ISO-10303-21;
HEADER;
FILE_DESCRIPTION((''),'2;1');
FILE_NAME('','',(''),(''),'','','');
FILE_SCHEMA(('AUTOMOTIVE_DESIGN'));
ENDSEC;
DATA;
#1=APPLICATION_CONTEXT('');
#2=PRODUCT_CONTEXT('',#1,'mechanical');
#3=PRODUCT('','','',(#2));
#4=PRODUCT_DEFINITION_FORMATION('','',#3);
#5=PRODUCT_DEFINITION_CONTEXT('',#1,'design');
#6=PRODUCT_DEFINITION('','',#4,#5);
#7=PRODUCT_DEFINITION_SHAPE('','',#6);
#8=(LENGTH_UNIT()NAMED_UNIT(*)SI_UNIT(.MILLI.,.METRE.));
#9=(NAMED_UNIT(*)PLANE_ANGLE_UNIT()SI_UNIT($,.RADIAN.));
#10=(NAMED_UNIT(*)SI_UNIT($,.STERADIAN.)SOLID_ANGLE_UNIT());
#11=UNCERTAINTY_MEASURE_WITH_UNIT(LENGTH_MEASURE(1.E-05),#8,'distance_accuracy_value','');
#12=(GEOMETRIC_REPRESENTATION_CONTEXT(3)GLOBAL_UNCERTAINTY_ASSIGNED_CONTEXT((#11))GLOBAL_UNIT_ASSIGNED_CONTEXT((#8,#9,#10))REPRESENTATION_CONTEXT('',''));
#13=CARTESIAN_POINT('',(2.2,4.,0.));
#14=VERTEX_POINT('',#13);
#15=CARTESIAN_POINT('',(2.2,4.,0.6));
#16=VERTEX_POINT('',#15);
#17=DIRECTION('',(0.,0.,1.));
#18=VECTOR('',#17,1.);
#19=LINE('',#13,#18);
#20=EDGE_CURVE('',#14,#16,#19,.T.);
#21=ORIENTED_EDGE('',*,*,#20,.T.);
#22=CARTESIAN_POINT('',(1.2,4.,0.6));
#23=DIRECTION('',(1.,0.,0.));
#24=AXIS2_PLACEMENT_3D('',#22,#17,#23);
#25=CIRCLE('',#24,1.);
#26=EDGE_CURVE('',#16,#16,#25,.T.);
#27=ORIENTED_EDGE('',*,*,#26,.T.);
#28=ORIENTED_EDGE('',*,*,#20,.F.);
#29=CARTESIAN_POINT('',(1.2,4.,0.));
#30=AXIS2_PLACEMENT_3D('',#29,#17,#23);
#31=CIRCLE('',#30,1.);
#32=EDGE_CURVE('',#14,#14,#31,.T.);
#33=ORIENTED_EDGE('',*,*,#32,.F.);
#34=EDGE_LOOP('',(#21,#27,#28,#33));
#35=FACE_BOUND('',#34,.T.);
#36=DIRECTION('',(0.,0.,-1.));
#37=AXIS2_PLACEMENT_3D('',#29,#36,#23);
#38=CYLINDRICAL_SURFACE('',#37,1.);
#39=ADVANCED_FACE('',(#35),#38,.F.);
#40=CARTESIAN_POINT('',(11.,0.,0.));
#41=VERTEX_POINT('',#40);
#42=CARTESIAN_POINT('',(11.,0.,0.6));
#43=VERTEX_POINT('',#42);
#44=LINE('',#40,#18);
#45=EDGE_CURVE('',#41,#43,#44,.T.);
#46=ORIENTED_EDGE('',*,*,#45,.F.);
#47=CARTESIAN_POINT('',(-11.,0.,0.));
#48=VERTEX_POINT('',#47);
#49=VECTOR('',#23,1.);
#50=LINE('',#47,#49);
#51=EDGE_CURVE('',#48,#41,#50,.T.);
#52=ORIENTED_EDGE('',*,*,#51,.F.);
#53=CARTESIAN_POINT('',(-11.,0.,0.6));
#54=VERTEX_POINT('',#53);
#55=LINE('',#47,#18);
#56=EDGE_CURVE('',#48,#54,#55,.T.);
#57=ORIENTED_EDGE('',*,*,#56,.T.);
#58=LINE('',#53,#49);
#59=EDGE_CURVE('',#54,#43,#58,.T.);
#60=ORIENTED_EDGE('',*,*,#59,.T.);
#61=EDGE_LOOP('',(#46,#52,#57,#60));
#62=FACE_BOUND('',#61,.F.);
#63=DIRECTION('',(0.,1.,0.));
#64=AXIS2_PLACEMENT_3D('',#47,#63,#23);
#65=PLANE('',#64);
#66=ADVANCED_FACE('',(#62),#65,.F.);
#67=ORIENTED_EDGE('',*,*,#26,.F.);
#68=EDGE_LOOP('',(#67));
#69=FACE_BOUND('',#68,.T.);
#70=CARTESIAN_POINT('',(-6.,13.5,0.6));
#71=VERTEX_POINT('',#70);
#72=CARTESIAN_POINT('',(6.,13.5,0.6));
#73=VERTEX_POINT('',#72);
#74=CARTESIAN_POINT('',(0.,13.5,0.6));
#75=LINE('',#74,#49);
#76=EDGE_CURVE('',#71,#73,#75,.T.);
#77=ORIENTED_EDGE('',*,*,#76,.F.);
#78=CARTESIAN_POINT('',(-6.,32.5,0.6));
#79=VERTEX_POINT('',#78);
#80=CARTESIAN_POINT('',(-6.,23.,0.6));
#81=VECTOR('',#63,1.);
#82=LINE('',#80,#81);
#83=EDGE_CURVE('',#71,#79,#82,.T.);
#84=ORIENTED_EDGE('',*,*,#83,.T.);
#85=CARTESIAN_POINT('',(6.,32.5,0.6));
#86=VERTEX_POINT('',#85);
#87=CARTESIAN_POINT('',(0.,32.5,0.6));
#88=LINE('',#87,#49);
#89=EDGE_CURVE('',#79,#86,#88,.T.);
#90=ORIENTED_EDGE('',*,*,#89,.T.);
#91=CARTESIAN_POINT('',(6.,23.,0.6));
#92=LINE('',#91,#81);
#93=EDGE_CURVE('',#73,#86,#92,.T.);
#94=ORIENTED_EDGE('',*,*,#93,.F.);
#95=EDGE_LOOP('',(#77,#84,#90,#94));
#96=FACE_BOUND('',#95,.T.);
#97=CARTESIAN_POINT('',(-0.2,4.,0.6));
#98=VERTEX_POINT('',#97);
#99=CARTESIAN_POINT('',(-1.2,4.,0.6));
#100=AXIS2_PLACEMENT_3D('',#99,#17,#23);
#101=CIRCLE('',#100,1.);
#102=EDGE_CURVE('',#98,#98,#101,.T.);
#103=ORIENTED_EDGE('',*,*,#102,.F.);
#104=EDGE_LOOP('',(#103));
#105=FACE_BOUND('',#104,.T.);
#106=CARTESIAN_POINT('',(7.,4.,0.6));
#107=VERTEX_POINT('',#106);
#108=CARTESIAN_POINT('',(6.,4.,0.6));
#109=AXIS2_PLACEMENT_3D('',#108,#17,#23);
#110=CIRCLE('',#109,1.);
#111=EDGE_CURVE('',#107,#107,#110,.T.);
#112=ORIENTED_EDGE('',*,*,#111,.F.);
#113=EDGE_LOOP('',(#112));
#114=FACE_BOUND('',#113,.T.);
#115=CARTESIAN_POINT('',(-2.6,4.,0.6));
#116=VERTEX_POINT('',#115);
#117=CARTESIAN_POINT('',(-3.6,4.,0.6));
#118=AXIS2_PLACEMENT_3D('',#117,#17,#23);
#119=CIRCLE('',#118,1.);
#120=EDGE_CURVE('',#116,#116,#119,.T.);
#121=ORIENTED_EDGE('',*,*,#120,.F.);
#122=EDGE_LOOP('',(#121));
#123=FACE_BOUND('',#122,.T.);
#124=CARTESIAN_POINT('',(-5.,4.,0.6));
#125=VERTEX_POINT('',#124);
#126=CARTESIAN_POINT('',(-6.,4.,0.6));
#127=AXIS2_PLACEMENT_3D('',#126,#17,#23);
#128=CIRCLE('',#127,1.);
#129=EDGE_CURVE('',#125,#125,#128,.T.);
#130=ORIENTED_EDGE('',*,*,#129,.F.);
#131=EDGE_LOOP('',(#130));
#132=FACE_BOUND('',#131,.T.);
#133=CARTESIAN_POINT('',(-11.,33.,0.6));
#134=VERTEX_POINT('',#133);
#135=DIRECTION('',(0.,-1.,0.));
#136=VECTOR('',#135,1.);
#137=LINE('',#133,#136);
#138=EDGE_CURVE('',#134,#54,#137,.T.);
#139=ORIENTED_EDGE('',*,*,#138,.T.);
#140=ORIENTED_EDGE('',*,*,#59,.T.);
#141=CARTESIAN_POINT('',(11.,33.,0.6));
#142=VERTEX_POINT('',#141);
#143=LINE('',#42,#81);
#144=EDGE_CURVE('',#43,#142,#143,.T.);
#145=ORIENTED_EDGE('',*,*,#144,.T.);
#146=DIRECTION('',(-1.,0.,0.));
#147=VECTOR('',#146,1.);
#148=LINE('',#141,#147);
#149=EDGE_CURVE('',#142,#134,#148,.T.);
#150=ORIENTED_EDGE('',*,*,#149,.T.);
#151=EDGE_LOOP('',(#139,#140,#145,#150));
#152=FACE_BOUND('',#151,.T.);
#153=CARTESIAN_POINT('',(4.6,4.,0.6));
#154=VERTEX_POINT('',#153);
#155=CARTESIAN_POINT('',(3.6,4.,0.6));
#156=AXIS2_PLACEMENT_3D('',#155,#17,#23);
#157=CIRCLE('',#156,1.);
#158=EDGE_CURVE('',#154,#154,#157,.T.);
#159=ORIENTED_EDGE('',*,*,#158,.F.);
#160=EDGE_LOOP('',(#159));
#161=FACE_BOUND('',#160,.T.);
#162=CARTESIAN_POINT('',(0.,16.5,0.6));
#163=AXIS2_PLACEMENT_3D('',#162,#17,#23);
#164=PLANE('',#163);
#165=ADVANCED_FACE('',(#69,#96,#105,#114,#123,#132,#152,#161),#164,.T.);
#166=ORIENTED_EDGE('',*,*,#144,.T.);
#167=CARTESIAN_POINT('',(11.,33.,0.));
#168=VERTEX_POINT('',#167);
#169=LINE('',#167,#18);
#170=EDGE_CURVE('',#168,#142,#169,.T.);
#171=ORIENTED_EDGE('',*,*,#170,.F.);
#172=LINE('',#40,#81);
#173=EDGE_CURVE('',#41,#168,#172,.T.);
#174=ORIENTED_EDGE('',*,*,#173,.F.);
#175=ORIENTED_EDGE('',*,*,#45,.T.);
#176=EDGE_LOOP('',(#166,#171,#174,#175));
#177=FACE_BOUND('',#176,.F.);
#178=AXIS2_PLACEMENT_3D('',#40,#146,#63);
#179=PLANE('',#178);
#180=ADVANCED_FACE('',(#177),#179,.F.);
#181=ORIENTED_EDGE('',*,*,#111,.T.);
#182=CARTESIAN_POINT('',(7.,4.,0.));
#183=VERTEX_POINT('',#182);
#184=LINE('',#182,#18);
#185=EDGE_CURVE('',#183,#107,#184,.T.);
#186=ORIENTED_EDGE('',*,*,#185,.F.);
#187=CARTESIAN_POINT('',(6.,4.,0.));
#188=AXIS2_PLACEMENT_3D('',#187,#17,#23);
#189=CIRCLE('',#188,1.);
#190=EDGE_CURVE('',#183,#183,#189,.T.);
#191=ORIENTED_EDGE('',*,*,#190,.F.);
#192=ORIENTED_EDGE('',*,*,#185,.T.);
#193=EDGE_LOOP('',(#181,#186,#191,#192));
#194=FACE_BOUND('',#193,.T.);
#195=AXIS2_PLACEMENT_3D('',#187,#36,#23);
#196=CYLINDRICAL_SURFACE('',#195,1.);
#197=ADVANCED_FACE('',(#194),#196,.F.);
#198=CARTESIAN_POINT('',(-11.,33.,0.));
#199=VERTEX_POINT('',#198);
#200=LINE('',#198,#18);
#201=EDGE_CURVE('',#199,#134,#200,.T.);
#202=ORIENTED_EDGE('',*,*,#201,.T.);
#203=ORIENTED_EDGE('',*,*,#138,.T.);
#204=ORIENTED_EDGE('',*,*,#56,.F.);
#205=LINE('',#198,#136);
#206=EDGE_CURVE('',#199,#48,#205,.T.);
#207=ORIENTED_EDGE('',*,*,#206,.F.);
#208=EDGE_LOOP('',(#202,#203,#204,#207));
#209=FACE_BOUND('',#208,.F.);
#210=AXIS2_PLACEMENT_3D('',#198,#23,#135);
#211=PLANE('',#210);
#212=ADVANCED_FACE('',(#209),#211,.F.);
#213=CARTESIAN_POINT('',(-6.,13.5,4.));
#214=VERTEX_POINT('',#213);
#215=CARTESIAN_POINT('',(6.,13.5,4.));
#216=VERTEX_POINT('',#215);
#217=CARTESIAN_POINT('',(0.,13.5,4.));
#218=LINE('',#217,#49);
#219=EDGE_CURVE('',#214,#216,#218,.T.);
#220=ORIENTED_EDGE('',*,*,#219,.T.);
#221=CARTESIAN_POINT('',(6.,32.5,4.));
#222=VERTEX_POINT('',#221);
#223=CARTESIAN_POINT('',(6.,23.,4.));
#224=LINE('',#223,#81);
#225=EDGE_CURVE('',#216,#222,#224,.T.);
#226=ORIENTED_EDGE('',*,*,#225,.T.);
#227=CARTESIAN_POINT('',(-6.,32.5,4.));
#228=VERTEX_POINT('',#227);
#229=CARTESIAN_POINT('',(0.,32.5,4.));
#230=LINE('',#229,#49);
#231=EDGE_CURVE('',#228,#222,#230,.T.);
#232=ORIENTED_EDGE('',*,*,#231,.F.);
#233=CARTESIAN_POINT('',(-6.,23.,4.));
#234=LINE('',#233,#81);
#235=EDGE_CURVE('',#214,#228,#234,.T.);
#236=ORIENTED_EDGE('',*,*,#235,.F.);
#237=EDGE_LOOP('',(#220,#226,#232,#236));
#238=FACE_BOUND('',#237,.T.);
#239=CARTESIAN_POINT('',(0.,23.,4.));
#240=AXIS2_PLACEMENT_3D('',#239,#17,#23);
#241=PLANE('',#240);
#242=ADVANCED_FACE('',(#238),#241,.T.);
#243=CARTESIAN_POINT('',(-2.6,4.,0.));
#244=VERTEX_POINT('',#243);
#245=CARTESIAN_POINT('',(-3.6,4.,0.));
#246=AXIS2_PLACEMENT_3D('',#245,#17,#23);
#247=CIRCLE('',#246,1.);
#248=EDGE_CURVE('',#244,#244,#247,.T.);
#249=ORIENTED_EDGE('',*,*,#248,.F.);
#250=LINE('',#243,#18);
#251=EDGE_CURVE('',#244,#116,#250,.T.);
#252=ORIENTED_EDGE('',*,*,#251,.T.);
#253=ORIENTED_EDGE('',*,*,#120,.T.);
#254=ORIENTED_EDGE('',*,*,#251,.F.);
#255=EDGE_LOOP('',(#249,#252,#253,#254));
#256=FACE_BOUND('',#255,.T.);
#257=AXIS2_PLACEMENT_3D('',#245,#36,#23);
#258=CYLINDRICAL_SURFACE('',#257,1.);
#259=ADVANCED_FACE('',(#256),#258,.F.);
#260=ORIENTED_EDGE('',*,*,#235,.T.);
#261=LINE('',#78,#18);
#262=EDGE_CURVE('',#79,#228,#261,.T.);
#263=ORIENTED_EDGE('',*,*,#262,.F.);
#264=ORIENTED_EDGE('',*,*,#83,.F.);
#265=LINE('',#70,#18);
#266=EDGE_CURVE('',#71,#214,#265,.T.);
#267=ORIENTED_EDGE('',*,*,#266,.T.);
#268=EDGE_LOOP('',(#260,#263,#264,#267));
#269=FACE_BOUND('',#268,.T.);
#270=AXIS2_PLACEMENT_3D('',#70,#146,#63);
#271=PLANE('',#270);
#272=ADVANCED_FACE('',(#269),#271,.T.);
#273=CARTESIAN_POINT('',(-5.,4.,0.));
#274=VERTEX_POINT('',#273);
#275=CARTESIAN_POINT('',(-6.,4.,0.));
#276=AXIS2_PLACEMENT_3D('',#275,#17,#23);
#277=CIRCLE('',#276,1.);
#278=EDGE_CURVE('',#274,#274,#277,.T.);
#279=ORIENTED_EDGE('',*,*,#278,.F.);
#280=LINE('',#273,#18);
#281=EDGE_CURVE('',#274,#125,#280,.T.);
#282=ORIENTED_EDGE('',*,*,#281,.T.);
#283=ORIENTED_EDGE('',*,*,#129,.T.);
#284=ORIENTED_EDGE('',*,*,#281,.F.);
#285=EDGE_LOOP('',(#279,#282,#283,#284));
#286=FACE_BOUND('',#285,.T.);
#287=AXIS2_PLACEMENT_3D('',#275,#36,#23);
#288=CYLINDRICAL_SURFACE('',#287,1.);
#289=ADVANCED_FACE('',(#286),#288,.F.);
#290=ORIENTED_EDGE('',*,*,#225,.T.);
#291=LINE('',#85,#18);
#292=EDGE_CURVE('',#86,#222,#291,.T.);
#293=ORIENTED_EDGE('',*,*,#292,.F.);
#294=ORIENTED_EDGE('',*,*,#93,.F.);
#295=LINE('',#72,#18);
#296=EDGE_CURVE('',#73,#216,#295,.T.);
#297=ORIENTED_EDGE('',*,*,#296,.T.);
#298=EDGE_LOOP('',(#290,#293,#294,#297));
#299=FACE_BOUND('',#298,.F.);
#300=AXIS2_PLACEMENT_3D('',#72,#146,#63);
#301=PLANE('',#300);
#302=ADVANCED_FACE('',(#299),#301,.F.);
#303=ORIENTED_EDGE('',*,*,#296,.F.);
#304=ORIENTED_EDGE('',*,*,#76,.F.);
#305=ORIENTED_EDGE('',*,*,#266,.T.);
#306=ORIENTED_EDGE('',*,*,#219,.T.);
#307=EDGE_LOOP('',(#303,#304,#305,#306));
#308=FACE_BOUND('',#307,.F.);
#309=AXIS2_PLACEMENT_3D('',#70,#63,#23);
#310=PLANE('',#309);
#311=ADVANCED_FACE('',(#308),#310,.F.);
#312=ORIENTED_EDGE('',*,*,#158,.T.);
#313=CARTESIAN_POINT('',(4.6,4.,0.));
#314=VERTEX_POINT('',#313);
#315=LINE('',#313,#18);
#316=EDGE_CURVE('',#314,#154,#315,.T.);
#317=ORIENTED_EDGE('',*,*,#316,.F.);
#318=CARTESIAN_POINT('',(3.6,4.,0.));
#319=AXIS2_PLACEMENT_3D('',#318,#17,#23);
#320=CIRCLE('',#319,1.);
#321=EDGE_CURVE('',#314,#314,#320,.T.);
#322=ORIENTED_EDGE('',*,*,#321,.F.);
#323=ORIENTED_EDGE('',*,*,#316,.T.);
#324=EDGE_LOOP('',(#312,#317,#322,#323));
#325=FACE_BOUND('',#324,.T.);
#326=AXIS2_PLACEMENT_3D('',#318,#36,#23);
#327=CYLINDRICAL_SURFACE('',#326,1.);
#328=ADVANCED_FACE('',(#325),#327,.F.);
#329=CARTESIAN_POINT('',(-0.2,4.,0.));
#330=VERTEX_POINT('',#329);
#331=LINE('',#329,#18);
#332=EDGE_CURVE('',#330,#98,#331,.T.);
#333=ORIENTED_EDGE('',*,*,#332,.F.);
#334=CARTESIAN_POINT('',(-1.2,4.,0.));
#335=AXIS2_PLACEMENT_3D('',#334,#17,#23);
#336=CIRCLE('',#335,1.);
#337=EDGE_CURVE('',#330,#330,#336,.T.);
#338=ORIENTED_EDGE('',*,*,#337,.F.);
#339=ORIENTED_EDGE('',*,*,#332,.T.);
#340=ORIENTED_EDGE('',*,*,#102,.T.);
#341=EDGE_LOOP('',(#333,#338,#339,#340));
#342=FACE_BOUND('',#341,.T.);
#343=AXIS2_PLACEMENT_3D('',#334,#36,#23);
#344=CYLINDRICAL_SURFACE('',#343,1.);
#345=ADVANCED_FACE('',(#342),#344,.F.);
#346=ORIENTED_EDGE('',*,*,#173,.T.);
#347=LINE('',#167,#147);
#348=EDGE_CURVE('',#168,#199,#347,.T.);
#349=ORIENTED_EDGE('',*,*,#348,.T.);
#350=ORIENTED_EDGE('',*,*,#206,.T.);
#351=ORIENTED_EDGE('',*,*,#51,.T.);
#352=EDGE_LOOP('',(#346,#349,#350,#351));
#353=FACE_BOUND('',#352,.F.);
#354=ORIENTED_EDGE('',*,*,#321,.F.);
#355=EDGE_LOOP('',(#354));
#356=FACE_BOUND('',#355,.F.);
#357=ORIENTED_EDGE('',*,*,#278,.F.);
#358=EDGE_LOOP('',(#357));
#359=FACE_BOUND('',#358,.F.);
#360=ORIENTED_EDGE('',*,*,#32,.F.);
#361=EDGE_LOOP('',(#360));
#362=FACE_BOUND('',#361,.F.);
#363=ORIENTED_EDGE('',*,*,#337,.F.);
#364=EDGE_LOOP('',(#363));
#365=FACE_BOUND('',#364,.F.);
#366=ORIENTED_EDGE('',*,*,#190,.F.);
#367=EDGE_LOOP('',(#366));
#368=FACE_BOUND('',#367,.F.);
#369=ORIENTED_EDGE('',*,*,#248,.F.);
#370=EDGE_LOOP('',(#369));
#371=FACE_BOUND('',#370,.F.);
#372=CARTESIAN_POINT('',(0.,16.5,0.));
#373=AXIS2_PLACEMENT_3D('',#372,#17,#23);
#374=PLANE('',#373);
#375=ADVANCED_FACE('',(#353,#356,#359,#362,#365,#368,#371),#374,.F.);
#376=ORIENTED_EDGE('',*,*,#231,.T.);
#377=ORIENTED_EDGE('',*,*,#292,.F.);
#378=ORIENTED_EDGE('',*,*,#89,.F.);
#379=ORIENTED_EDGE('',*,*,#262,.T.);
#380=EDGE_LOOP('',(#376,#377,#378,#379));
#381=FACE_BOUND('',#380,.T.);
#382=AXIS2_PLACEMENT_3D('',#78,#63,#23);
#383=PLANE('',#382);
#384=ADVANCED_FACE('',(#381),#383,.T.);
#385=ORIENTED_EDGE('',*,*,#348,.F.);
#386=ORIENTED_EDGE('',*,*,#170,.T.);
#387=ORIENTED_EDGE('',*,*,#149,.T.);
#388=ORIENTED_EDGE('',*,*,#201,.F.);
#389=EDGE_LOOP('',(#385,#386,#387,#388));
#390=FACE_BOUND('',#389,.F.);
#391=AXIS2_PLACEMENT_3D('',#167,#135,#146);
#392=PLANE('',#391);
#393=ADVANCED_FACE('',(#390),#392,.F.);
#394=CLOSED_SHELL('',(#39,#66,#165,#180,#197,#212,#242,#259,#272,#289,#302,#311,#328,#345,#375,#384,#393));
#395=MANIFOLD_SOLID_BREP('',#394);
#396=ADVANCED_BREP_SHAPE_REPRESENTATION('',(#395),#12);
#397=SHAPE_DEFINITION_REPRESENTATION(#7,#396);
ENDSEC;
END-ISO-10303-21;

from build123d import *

# Parameters (mm, degrees)
F0_R     = 1
F1_DEPTH = 0.6
F2_W     = 12
F2_H     = 19
F3_DEPTH = 3.4


with BuildPart() as f1:
    # F0 (on Top) → F1 (new body)
    with BuildSketch(Plane.XY):
        Polygon((-11, 0), (0, 0), (11, 0), (11, 33), (0, 33), (-11, 33), align=None)
        with Locations((-6, 4)):
            Circle(F0_R, mode=Mode.SUBTRACT)
        with Locations((-3.6, 4)):
            Circle(F0_R, mode=Mode.SUBTRACT)
        with Locations((-1.2, 4)):
            Circle(F0_R, mode=Mode.SUBTRACT)
        with Locations((1.2, 4)):
            Circle(F0_R, mode=Mode.SUBTRACT)
        with Locations((3.6, 4)):
            Circle(F0_R, mode=Mode.SUBTRACT)
        with Locations((6, 4)):
            Circle(F0_R, mode=Mode.SUBTRACT)
    extrude(amount=F1_DEPTH)

    # F2 (on face) → F3 (join)
    with BuildSketch(Plane.XY.offset(0.6)):
        with Locations((0, 23)):
            Rectangle(F2_W, F2_H)
    extrude(amount=F3_DEPTH)


solid = f1.part
